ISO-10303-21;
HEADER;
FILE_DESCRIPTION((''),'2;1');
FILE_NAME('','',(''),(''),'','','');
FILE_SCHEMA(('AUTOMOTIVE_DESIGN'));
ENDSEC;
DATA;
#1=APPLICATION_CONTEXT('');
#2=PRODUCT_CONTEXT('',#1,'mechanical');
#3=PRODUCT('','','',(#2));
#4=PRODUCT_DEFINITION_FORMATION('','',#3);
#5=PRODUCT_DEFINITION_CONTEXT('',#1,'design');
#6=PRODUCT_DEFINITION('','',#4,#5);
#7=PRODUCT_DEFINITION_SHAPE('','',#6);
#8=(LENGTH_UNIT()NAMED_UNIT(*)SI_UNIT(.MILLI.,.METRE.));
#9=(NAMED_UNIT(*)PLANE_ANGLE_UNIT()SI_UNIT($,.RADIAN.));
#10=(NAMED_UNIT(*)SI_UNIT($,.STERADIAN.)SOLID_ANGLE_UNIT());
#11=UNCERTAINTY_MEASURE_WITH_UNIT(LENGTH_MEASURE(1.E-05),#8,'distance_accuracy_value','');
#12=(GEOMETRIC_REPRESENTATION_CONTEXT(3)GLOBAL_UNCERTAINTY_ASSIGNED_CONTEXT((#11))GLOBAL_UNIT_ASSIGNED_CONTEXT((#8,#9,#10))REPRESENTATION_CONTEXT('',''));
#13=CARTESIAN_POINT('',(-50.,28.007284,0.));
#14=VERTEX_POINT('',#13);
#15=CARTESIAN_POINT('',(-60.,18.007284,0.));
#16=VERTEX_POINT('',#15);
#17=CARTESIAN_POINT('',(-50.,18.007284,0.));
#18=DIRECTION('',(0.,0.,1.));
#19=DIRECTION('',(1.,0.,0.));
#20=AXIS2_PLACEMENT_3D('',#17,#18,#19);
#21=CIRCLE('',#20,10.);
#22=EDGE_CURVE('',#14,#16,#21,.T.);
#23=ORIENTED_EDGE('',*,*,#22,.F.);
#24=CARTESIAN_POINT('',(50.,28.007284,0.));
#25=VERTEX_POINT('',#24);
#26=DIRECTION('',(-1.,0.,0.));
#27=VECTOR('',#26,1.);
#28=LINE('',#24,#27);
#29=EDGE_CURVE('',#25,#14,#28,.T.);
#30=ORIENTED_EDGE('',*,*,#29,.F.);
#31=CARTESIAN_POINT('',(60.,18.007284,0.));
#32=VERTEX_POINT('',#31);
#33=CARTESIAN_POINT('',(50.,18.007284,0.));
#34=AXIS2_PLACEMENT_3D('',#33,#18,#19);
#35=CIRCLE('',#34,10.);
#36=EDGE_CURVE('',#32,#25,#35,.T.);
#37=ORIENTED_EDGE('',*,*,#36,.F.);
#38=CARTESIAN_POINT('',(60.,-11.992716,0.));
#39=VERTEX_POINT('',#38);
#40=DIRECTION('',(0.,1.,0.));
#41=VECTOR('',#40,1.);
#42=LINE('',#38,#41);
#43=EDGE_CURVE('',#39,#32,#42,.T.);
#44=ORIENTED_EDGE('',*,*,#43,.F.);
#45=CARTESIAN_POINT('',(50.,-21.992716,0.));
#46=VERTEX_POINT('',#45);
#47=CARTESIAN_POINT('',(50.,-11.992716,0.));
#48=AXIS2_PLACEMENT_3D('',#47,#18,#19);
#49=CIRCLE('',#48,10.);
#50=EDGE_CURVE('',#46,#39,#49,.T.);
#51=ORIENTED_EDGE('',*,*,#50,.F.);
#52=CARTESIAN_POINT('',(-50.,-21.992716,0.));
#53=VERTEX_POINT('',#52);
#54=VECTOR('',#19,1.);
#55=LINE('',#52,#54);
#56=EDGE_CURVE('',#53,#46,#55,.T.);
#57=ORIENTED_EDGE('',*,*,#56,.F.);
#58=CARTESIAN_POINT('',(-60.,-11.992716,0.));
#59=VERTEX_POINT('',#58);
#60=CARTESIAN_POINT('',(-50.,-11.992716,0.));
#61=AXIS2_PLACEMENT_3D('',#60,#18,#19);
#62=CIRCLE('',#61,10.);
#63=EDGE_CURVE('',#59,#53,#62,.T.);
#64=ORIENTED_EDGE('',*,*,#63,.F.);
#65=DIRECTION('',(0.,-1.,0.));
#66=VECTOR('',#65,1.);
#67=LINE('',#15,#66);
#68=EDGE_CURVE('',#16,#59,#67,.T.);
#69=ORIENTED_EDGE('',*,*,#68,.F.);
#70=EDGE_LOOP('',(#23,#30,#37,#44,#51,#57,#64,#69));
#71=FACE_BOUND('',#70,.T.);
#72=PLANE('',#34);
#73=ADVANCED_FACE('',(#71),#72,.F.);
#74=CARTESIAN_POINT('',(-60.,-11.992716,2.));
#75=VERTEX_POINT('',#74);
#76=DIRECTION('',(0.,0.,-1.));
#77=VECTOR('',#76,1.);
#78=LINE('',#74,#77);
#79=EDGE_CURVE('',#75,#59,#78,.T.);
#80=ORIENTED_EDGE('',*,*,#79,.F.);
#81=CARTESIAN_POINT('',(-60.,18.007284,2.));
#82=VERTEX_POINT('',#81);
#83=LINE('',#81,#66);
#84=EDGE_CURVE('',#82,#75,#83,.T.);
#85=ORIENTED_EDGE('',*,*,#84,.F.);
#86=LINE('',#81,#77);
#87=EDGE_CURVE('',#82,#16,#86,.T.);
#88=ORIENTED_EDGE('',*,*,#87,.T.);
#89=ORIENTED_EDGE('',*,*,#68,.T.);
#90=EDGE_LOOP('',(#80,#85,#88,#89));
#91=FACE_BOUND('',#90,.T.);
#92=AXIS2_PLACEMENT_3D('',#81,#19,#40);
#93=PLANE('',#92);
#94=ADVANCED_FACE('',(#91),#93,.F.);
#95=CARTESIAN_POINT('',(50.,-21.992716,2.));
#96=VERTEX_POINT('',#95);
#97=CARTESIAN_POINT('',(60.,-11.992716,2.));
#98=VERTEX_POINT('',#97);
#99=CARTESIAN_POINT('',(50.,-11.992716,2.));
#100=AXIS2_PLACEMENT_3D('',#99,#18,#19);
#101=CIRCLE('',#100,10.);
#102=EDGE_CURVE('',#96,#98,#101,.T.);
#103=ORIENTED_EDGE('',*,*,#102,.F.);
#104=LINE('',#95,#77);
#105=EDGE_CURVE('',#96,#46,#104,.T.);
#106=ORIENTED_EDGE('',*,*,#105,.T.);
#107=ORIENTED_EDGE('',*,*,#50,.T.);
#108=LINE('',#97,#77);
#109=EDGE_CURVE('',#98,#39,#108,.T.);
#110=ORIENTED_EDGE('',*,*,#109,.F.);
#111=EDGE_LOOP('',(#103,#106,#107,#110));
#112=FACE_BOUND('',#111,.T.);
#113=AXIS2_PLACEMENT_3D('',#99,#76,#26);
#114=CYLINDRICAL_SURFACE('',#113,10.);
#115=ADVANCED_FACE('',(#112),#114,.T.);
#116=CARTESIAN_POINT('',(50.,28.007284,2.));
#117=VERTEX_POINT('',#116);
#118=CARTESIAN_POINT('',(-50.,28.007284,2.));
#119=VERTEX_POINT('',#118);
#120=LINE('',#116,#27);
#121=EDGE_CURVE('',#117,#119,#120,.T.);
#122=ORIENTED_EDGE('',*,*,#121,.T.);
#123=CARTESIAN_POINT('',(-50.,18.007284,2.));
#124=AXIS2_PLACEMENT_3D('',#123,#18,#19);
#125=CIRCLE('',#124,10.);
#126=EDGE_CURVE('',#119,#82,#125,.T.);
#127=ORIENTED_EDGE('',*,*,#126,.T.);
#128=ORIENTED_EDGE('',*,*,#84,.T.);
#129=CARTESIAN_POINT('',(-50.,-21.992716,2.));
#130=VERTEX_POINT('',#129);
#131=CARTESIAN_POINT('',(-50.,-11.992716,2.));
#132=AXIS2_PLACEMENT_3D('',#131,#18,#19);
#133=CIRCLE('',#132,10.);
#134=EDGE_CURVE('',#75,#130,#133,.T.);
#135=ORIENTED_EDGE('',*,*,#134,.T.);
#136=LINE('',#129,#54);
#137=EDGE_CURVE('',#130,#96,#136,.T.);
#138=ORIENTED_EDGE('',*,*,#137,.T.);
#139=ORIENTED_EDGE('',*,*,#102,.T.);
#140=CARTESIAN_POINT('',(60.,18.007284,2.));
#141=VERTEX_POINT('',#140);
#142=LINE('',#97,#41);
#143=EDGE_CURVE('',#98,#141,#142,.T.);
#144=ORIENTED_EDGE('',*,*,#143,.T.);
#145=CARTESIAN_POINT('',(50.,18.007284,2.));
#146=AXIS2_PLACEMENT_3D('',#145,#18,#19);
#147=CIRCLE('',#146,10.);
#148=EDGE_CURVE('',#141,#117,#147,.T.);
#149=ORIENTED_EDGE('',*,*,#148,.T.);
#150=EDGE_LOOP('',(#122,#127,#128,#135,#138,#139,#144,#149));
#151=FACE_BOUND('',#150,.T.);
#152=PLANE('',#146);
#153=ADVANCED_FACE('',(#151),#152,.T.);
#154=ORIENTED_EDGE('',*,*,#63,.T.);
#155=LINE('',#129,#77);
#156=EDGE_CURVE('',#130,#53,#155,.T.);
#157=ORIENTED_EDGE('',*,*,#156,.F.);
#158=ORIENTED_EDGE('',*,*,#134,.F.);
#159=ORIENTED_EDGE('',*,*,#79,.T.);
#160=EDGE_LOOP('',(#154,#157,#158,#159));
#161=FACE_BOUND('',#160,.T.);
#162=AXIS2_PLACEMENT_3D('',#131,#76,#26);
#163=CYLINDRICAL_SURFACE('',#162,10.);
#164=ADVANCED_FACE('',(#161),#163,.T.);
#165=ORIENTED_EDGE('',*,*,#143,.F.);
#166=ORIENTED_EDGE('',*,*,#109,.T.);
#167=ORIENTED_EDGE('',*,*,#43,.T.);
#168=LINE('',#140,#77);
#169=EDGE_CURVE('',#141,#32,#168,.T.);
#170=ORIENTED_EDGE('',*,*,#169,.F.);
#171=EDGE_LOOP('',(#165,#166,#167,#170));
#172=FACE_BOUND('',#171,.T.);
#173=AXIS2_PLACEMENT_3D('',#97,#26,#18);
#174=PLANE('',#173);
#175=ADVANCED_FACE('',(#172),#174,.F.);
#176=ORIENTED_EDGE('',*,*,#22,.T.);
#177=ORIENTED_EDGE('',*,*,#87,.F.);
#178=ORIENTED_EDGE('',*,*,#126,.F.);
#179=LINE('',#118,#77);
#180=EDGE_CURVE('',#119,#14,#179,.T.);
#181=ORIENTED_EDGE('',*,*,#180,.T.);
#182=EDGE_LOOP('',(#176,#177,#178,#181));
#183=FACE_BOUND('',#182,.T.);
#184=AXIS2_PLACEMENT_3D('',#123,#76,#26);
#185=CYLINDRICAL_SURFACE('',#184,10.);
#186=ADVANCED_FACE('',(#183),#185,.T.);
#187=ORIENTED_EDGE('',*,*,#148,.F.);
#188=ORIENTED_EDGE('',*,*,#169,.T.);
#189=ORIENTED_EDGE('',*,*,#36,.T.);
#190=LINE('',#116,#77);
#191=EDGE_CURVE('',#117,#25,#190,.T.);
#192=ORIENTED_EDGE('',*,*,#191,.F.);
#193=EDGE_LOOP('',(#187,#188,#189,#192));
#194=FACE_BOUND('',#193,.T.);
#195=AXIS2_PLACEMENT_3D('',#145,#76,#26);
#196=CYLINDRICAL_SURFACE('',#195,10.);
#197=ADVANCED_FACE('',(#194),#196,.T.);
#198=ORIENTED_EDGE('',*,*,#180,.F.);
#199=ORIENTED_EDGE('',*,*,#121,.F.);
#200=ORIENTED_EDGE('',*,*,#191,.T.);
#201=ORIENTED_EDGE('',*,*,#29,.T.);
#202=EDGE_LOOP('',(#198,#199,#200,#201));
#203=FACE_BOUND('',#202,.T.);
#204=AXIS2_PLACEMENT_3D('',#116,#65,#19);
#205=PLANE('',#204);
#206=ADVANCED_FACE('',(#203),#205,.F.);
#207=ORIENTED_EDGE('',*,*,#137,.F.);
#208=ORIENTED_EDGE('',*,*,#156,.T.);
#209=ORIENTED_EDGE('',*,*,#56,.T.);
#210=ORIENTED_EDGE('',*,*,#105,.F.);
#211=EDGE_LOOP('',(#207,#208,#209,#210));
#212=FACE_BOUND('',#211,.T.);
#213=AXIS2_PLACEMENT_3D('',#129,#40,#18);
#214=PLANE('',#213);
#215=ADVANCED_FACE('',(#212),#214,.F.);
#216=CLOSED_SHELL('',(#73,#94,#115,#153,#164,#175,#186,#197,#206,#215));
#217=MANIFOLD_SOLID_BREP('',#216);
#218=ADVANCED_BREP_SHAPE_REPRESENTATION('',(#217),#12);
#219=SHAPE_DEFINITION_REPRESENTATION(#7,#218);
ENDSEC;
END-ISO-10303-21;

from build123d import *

# Parameters (mm, degrees)
BOSS_EXTRUDE1_DEPTH = 2


with BuildPart() as part:
    # Sketch1 → Boss-Extrude1 (new body)
    with BuildSketch(Plane.XY):
        with BuildLine():
            Line((50, 28.007283518), (-50, 28.007283518))
            ThreePointArc((-50, 28.007283518), (-57.071067812, 25.07835133), (-60, 18.007283518))
            Line((-60, 18.007283518), (-60, -11.992716482))
            ThreePointArc((-60, -11.992716482), (-57.071067812, -19.063784293), (-50, -21.992716482))
            Line((-50, -21.992716482), (50, -21.992716482))
            ThreePointArc((50, -21.992716482), (57.071067812, -19.063784293), (60, -11.992716482))
            Line((60, -11.992716482), (60, 18.007283518))
            ThreePointArc((60, 18.007283518), (57.071067812, 25.07835133), (50, 28.007283518))
        make_face()
    extrude(amount=BOSS_EXTRUDE1_DEPTH)


solid = part.part
